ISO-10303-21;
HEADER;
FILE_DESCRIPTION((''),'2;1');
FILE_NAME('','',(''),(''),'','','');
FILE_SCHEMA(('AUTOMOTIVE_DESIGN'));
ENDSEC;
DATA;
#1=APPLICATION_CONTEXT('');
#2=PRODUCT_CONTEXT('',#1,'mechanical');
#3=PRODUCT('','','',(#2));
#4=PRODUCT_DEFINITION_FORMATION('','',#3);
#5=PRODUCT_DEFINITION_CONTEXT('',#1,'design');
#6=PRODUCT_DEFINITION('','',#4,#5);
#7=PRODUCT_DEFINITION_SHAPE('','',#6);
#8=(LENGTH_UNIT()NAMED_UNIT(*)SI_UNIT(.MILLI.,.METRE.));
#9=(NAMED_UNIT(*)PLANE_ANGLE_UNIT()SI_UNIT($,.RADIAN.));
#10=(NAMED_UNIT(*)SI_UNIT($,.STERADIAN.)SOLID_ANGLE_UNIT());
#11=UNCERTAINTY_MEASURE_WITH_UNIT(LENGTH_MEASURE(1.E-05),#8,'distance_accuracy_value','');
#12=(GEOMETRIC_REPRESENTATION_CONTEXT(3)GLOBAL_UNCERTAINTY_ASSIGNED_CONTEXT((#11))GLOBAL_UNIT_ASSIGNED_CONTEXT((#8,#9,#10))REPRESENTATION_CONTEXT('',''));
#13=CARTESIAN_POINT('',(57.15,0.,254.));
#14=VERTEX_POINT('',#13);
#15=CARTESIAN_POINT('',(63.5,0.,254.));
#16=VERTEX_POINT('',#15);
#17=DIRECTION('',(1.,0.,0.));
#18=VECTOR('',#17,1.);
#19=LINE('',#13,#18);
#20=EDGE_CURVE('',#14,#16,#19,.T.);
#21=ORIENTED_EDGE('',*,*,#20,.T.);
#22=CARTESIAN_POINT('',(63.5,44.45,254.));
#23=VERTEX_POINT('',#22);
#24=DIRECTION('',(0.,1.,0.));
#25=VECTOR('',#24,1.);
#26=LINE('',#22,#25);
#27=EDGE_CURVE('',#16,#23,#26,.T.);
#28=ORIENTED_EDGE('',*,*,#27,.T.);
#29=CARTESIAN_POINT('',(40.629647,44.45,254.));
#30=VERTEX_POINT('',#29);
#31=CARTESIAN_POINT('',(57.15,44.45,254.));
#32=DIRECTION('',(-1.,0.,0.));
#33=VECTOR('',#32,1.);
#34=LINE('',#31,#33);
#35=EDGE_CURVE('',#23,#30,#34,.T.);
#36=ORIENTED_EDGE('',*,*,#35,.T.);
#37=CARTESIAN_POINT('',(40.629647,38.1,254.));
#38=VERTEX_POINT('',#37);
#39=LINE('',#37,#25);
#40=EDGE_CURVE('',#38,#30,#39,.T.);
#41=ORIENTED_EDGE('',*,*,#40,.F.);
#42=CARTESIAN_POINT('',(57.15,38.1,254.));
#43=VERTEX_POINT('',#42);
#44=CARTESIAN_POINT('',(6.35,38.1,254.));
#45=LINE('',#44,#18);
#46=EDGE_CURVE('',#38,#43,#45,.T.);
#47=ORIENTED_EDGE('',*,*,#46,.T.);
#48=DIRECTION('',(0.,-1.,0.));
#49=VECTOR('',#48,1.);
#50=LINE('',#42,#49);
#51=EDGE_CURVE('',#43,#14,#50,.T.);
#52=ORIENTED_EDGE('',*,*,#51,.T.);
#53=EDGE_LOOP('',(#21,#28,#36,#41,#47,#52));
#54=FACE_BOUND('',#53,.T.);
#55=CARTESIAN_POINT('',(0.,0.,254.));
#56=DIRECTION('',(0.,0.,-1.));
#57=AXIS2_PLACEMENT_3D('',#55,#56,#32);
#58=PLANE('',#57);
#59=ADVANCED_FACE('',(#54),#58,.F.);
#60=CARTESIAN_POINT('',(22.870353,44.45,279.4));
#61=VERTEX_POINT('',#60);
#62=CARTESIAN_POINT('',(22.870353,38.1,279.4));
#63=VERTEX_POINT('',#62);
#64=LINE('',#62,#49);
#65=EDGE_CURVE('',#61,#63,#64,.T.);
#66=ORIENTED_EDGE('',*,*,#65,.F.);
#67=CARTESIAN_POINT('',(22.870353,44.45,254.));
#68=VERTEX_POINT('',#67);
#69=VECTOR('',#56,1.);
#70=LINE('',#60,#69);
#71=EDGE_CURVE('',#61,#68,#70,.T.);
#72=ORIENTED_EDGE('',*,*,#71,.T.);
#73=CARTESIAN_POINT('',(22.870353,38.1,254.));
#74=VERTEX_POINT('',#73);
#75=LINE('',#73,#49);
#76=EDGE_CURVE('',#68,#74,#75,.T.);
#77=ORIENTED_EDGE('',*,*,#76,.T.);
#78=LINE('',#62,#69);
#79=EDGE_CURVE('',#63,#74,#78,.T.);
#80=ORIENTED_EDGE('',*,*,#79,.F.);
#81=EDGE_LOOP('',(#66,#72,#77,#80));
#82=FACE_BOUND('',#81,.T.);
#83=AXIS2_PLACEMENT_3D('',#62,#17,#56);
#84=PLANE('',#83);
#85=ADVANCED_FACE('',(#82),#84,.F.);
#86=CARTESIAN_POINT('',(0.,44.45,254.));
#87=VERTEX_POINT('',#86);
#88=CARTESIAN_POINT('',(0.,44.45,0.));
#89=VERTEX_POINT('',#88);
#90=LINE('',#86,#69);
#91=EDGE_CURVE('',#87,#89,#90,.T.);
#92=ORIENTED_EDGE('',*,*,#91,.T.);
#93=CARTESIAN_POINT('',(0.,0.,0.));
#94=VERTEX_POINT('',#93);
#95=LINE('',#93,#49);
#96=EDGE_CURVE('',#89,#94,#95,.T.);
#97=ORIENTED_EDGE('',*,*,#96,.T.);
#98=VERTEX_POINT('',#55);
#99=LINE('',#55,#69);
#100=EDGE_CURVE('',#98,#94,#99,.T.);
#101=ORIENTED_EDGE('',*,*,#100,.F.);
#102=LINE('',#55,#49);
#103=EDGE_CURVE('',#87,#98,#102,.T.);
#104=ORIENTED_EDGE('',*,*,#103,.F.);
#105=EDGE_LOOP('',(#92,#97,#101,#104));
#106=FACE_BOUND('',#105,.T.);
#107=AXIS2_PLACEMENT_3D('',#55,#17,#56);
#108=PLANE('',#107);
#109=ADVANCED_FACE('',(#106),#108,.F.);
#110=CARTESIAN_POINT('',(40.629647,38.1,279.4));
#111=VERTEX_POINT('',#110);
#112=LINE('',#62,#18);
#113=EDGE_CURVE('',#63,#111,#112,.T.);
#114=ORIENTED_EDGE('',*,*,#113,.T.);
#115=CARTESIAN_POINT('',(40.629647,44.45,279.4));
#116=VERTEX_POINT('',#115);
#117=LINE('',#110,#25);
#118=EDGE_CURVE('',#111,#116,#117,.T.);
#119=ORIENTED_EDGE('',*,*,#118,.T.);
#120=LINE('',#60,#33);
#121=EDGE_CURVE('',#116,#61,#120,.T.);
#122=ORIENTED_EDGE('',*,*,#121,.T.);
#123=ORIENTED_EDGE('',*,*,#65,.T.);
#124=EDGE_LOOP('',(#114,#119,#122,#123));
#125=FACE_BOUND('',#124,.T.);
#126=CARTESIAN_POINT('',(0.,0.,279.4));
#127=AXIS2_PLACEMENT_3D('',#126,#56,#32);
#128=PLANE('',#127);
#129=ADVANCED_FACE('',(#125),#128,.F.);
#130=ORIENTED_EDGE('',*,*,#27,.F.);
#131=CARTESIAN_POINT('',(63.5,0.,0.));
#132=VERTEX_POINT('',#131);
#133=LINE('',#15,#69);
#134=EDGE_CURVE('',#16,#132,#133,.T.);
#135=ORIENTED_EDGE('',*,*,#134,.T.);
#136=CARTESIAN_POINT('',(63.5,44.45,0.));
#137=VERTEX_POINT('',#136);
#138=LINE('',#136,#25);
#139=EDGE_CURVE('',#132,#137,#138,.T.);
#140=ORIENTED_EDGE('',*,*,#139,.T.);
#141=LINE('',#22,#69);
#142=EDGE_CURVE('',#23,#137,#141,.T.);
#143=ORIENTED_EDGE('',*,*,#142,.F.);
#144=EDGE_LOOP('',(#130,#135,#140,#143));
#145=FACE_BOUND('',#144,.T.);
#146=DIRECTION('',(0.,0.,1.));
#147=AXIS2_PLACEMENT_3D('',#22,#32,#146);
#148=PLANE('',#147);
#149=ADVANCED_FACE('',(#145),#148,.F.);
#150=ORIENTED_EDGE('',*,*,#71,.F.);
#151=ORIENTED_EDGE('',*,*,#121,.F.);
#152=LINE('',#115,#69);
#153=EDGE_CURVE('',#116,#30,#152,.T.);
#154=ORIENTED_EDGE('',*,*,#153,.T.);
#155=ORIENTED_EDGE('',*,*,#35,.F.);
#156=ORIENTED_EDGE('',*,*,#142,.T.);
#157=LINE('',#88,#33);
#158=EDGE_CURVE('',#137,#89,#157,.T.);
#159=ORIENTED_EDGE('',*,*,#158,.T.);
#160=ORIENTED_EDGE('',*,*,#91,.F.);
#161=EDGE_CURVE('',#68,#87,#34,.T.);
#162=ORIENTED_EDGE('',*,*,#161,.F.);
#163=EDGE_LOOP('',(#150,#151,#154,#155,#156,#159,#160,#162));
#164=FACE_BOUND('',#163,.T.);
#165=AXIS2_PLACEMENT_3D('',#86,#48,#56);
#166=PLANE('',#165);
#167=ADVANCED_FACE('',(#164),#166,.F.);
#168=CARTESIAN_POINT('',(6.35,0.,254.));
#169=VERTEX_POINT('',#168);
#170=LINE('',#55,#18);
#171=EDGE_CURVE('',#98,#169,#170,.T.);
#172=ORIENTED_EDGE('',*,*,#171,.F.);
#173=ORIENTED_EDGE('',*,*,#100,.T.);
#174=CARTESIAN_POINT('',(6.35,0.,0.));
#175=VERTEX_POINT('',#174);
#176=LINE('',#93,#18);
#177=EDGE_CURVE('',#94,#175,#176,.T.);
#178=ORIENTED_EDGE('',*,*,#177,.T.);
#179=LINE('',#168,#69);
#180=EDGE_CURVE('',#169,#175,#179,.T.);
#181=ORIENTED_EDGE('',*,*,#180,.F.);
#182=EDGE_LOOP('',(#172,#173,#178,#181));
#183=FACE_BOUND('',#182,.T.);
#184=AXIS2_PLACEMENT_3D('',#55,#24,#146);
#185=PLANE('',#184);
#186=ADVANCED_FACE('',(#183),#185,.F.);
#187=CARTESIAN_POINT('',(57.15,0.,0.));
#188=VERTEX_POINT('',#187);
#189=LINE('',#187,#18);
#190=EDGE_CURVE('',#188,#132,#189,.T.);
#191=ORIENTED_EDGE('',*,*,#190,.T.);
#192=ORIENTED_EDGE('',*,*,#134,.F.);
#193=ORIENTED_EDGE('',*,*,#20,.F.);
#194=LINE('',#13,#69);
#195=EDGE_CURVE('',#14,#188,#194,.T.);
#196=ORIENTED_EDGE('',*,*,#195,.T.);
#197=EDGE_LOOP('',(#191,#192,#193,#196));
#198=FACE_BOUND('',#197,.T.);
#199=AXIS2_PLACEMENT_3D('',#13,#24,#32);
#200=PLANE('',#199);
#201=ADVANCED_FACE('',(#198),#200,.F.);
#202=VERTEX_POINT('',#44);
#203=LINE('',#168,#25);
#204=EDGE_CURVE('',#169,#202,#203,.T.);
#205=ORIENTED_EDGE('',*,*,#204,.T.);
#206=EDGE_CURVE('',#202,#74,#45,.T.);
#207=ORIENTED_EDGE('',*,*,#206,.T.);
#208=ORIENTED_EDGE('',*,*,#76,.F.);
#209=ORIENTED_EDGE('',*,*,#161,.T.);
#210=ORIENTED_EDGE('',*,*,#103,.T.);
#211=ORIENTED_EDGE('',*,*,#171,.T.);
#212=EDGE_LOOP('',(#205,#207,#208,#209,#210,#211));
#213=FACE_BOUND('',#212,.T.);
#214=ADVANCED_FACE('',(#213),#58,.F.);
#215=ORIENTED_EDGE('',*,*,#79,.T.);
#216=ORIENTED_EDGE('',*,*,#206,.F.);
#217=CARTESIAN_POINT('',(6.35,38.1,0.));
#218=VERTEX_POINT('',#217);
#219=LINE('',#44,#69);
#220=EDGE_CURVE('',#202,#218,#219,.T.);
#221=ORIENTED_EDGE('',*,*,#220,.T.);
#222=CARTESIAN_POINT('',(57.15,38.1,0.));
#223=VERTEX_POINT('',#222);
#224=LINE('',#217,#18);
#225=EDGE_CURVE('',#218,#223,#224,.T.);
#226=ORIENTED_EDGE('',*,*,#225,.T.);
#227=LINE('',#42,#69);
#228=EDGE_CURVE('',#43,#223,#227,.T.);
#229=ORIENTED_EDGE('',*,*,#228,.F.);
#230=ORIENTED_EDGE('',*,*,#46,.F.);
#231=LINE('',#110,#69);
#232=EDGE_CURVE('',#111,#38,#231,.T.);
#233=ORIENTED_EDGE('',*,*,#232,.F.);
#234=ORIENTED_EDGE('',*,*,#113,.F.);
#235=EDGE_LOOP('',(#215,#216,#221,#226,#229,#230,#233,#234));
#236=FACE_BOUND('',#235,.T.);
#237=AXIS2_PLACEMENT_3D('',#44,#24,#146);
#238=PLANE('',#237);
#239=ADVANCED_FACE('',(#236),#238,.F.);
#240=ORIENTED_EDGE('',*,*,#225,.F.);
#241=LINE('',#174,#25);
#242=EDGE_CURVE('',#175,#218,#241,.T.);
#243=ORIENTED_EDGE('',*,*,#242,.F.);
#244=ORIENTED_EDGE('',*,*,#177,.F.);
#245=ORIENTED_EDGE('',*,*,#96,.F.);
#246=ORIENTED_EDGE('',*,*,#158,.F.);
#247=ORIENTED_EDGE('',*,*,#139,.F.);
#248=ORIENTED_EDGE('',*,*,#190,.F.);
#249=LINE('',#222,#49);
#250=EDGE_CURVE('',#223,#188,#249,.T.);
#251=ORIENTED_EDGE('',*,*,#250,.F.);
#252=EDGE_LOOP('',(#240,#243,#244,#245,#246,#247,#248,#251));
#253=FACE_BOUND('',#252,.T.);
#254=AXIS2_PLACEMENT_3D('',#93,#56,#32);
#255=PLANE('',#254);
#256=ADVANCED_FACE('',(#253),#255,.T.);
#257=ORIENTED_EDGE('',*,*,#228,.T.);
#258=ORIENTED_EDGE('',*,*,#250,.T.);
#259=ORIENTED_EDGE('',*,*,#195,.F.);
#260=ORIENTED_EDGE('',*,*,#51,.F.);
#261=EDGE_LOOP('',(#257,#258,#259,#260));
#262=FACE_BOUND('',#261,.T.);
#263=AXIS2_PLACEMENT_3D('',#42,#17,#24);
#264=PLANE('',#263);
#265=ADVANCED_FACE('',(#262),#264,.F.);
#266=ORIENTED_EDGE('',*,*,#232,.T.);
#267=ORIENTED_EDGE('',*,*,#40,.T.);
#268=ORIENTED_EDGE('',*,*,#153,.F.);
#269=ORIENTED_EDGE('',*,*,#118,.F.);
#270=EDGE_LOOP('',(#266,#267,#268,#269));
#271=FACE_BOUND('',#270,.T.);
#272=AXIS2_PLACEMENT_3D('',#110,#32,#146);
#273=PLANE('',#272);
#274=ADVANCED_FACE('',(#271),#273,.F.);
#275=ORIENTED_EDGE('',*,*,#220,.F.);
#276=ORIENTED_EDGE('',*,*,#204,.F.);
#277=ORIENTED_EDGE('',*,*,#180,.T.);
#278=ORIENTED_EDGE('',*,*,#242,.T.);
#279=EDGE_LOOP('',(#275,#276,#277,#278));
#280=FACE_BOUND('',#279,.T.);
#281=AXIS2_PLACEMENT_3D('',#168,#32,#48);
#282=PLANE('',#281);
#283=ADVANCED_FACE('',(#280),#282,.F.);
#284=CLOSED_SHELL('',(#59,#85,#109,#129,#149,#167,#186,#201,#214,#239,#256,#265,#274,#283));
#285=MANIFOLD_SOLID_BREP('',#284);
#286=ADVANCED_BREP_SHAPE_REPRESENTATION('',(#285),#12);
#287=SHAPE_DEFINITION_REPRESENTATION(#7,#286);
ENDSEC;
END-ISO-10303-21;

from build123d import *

# Parameters (mm, degrees)
BOSS_EXTRUDE1_DEPTH = 254
SKETCH2_W           = 17.759293508
SKETCH2_H           = 6.35
BOSS_EXTRUDE2_DEPTH = 25.4


with BuildPart() as part:
    # Sketch1 → Boss-Extrude1 (new body)
    with BuildSketch(Plane.XY):
        Polygon((0, 0), (6.35, 0), (6.35, 38.1), (57.15, 38.1), (57.15, 0), (63.5, 0), (63.5, 44.45), (57.15, 44.45), (6.35, 44.45), (0, 44.45), align=None)
    extrude(amount=BOSS_EXTRUDE1_DEPTH)

    # Sketch2 → Boss-Extrude2 (add)
    with BuildSketch(Plane.XY.offset(254)):
        with Locations((31.75, 41.275)):
            Rectangle(SKETCH2_W, SKETCH2_H)
    extrude(amount=BOSS_EXTRUDE2_DEPTH)


solid = part.part
